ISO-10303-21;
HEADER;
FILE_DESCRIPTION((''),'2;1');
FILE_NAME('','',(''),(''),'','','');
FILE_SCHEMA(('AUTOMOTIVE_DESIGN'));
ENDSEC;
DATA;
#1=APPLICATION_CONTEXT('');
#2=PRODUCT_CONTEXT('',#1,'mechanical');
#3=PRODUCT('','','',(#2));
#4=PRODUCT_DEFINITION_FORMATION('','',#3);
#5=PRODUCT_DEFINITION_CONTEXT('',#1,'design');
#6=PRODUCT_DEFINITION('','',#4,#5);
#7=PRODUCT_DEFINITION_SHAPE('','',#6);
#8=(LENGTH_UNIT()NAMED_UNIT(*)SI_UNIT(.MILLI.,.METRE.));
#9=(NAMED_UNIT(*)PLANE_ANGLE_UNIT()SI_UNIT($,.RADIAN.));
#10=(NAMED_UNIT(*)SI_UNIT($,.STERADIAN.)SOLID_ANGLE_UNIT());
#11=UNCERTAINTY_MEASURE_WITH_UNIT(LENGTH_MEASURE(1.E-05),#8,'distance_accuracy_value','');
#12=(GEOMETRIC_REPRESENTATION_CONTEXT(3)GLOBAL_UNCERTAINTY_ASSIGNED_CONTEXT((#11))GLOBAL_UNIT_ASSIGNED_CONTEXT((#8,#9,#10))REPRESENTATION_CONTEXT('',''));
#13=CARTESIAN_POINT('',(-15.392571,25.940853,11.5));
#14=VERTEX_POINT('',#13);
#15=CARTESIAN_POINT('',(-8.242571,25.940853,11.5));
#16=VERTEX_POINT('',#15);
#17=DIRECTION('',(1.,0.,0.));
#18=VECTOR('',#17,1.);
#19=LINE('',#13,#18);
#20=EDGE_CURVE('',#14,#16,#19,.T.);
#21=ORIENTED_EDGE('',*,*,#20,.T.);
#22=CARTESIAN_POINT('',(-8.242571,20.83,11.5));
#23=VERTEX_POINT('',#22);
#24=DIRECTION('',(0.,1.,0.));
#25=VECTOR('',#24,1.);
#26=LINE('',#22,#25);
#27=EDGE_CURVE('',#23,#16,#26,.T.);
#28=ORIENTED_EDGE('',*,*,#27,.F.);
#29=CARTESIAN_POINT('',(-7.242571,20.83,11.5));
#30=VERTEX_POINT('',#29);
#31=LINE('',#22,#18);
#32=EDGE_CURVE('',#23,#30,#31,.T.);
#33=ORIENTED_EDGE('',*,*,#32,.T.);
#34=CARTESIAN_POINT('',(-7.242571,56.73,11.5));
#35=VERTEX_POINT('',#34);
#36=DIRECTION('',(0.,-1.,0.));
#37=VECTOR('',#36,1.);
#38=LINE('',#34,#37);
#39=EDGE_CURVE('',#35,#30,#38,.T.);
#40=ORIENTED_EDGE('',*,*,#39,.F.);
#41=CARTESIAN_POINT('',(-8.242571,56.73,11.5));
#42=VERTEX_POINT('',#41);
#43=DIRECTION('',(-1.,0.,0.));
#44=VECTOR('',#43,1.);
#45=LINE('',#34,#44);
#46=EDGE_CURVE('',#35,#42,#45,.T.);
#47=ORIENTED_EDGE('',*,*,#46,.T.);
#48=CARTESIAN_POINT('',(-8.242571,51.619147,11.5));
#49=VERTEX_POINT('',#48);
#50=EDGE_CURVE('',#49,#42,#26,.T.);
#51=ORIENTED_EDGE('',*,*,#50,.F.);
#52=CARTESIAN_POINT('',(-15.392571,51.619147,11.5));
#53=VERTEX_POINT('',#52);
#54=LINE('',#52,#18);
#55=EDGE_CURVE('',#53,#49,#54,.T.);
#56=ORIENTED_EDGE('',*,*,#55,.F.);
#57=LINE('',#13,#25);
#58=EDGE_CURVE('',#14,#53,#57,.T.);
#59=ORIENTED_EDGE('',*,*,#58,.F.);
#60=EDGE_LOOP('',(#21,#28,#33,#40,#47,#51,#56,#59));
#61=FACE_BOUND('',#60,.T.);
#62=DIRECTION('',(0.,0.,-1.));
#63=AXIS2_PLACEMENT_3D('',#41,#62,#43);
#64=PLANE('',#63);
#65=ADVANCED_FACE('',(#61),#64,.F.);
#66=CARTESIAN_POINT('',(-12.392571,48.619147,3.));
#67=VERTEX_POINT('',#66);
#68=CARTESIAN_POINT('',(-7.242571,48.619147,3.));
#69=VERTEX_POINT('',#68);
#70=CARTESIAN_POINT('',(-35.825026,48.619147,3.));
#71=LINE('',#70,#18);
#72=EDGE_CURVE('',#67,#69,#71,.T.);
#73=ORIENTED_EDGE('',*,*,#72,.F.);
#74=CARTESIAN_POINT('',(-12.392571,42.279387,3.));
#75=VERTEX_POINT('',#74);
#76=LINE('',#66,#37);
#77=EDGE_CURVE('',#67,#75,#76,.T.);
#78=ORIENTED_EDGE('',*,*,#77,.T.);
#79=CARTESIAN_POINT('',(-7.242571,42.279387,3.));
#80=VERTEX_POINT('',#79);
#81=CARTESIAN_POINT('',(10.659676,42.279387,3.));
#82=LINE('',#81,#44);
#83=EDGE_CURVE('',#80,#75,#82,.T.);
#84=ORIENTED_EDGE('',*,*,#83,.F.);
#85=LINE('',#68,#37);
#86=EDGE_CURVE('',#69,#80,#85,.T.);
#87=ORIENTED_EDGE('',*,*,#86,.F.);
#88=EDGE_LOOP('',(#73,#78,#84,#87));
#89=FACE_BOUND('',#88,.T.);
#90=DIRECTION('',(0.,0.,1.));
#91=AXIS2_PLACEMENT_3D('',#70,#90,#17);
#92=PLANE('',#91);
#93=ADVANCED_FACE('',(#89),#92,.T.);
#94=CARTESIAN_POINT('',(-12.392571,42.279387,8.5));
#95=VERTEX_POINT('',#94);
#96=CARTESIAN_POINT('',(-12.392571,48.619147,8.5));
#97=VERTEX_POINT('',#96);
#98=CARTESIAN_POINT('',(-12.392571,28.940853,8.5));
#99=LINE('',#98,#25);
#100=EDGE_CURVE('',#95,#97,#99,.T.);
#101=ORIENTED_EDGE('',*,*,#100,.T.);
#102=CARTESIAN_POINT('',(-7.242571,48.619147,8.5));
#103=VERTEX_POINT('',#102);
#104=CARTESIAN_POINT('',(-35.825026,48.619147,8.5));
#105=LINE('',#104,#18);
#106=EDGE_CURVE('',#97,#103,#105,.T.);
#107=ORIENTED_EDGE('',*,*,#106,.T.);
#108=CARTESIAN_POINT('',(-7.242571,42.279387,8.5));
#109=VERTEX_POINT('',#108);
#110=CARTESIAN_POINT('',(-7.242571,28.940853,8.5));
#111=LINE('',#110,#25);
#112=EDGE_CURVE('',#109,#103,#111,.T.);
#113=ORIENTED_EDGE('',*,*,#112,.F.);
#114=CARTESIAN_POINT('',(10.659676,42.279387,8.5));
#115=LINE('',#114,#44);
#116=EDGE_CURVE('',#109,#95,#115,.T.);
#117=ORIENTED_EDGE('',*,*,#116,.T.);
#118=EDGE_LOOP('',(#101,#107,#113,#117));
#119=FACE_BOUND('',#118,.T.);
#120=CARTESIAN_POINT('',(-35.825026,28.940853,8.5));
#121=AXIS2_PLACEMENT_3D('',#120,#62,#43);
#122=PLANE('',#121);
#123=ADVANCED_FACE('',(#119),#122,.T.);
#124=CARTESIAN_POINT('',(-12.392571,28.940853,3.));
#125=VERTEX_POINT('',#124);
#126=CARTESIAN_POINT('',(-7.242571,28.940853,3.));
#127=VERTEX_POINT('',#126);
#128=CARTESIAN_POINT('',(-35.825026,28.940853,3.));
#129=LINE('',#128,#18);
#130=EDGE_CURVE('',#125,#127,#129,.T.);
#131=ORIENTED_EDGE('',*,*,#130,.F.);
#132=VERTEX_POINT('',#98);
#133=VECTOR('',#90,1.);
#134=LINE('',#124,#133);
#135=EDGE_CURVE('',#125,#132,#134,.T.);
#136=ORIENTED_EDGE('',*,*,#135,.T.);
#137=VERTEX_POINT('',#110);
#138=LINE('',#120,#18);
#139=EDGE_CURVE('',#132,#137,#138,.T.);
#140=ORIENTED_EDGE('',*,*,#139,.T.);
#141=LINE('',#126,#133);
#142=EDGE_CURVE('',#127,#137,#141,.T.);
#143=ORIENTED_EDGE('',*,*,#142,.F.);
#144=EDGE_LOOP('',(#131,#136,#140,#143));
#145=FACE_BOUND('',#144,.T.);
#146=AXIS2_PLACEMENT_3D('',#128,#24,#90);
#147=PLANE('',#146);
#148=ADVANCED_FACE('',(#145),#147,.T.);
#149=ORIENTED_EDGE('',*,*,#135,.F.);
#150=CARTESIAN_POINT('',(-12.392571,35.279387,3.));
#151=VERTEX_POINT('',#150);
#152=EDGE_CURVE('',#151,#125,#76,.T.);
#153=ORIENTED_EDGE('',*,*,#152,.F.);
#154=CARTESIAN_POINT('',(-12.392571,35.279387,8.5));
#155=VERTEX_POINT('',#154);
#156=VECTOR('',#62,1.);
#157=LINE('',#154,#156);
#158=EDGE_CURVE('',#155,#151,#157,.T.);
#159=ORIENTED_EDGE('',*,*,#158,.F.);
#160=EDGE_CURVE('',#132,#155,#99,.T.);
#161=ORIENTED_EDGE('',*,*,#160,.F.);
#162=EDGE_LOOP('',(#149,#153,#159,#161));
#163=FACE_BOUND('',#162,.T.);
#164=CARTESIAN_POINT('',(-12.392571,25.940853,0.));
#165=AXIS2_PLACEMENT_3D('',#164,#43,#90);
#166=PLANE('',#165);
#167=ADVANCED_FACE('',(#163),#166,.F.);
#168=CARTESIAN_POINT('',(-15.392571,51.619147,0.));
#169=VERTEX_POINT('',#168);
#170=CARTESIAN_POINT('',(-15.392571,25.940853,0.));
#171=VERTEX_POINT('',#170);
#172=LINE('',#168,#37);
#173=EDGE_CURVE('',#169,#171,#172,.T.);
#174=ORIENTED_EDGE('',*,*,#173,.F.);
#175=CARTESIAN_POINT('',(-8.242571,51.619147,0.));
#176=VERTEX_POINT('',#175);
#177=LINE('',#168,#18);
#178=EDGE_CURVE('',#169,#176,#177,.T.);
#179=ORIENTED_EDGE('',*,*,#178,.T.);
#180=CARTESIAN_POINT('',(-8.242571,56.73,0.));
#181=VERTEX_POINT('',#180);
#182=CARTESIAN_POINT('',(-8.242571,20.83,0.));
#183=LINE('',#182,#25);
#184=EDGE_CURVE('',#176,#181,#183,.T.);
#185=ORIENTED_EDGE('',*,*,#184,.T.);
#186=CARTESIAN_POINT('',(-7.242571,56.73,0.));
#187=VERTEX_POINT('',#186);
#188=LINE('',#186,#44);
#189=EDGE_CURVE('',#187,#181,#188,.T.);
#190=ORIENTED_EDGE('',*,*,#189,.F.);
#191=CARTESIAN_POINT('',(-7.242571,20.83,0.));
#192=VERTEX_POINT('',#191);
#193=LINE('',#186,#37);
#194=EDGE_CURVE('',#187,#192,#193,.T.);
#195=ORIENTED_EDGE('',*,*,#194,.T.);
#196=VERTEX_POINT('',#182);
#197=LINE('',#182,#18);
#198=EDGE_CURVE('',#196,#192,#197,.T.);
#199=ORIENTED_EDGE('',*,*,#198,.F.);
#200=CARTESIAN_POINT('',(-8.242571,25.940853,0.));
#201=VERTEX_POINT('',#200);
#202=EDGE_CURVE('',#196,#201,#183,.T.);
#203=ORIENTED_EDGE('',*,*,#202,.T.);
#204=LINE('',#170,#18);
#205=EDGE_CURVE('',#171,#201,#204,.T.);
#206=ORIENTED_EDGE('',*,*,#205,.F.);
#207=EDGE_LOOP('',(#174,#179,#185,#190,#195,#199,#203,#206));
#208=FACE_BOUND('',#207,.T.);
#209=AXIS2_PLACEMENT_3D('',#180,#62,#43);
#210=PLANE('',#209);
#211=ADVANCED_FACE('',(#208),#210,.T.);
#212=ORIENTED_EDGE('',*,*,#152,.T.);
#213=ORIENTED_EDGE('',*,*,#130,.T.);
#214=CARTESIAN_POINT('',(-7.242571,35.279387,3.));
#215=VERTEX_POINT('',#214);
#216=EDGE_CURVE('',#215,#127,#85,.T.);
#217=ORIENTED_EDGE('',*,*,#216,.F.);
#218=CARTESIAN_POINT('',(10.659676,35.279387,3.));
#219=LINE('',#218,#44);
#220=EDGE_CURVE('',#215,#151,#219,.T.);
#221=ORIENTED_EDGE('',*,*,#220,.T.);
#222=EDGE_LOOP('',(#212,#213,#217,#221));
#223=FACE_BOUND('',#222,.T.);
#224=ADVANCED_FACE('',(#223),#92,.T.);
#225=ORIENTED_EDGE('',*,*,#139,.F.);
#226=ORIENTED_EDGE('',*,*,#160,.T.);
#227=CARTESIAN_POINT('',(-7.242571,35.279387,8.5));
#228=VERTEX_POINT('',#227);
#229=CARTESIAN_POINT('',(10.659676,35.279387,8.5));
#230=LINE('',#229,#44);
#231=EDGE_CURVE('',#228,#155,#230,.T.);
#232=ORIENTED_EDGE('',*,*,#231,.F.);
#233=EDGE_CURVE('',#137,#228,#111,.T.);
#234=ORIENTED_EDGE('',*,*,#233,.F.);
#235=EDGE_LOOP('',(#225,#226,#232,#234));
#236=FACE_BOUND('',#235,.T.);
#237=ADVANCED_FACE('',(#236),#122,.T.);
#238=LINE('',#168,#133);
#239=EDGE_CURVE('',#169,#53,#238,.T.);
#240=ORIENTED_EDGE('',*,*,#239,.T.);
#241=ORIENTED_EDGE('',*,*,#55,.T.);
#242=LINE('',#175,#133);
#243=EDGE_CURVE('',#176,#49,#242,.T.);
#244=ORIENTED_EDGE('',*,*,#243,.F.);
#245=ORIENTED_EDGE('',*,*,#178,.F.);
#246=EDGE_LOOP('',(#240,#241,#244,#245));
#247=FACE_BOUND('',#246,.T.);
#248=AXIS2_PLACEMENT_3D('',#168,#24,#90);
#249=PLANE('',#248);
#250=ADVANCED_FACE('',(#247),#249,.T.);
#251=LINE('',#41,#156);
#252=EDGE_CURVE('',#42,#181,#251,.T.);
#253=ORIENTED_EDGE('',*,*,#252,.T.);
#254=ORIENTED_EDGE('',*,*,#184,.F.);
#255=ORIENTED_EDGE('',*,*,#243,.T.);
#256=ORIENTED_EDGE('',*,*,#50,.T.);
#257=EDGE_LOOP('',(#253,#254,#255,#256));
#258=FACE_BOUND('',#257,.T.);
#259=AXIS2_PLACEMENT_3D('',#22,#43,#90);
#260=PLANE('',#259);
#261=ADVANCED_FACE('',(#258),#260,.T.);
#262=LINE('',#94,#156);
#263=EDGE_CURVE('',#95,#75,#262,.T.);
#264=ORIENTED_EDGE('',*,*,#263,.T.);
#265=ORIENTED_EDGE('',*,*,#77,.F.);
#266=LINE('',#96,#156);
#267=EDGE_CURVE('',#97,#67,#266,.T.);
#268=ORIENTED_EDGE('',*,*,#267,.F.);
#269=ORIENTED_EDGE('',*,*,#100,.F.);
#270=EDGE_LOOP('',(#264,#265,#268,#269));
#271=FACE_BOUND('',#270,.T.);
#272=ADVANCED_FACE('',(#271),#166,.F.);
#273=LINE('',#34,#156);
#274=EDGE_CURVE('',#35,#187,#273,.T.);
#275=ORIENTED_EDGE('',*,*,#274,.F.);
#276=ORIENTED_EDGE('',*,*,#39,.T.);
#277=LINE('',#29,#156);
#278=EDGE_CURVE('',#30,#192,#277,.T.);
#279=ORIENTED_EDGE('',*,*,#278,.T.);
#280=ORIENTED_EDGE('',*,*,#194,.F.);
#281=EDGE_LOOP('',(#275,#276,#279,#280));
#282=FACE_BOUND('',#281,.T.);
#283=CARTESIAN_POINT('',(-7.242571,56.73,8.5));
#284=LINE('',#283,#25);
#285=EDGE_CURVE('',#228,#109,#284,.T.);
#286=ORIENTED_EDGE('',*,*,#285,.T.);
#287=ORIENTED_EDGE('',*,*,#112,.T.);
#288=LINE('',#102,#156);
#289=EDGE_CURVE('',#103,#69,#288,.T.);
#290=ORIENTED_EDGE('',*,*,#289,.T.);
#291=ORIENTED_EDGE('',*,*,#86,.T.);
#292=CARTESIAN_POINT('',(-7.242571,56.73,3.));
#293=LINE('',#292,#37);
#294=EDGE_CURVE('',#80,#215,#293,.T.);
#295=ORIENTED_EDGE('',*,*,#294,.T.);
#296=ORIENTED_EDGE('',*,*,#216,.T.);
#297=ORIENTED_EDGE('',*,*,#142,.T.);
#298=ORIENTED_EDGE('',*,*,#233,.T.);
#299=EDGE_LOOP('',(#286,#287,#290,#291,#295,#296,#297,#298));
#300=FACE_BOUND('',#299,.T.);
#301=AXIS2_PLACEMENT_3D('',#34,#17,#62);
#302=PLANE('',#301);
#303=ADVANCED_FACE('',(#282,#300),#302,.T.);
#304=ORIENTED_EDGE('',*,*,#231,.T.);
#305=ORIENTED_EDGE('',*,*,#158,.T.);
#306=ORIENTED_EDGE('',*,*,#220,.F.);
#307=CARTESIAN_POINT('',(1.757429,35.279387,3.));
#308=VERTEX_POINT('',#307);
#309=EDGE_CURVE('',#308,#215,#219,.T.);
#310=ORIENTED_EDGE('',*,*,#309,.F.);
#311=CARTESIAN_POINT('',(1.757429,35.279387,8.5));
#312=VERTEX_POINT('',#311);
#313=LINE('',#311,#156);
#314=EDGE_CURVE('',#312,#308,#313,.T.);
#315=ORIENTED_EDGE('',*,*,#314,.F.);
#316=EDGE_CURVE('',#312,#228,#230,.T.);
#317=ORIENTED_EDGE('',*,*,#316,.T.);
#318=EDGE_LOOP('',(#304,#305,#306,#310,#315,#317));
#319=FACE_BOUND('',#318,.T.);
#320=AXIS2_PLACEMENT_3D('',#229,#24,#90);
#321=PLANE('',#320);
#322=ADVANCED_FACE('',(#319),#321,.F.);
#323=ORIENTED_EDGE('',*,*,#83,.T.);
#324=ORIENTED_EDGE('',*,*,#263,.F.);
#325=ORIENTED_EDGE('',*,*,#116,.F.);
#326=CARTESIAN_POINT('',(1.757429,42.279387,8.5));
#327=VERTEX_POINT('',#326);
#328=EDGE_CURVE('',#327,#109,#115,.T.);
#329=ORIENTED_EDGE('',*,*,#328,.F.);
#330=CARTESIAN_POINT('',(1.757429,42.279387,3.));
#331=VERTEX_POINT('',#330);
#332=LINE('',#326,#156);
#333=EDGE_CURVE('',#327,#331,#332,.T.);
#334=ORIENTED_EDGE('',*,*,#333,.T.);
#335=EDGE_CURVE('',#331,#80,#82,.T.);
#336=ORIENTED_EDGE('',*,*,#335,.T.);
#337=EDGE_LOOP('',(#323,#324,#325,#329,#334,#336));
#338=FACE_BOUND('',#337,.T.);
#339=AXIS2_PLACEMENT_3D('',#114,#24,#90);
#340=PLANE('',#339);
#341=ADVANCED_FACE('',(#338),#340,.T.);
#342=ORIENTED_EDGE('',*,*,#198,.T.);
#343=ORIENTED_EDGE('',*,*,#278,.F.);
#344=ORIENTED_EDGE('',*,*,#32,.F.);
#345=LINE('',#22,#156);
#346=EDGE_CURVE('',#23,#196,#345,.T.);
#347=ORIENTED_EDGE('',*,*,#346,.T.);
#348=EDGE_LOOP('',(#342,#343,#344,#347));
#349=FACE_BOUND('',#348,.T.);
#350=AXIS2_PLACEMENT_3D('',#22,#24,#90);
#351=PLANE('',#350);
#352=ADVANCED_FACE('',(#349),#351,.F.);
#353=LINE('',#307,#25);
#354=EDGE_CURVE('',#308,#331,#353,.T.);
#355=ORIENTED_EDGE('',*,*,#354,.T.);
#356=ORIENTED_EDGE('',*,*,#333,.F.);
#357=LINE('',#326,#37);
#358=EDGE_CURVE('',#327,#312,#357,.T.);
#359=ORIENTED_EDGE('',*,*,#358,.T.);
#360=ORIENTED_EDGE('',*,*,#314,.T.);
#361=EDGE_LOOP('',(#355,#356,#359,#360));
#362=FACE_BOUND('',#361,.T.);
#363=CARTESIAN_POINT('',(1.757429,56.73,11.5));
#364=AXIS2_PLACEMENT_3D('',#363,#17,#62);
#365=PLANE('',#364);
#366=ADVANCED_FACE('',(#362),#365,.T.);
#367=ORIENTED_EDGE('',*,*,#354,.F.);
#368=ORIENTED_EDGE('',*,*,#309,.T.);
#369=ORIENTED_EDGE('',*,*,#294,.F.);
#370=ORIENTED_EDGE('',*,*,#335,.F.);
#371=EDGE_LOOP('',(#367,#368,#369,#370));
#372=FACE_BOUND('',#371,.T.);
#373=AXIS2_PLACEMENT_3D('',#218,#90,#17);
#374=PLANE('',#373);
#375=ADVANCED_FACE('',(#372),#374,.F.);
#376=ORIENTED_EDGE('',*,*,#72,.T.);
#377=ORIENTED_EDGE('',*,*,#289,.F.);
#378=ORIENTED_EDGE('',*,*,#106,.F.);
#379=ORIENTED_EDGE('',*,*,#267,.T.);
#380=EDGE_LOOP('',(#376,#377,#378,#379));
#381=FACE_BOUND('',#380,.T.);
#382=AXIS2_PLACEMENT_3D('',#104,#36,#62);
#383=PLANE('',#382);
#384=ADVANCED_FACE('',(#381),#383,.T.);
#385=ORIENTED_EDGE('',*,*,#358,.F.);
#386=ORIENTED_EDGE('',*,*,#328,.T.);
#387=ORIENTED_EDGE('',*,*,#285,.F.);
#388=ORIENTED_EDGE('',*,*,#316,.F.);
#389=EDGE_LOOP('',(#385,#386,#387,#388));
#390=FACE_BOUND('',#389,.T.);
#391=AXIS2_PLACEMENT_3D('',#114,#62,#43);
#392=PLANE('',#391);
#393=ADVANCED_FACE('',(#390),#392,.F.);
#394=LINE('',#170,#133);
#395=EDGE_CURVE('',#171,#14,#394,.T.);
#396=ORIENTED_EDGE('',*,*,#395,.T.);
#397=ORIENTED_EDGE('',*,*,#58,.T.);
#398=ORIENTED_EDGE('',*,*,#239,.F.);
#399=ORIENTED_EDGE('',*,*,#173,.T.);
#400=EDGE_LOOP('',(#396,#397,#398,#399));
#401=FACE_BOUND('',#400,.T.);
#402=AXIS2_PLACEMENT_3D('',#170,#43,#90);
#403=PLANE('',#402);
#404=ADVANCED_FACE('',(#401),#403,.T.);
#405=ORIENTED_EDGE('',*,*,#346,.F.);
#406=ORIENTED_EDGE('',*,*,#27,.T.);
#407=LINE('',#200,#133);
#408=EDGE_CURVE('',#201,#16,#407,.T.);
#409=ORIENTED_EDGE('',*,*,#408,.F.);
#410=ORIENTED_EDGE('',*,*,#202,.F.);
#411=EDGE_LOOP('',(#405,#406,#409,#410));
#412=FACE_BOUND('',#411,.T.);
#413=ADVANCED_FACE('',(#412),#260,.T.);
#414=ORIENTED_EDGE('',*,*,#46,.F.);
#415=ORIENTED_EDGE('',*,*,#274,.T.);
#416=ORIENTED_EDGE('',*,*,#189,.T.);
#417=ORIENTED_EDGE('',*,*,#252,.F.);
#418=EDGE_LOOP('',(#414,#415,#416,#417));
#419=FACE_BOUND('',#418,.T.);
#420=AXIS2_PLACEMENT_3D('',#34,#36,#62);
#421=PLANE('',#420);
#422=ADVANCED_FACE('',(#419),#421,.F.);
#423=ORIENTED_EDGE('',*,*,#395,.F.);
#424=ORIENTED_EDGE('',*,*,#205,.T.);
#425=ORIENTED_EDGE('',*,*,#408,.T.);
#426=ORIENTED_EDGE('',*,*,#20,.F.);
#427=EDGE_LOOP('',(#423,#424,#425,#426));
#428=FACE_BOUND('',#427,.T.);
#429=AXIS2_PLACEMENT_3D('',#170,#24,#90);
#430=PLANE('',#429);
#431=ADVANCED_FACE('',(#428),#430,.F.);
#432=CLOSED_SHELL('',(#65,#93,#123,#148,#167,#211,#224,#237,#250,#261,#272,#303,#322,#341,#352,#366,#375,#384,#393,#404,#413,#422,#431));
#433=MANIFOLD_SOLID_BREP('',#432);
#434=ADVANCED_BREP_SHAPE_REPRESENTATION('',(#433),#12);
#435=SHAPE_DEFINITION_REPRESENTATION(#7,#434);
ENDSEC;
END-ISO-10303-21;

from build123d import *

# Parameters (mm, degrees)
SKETCH2_W           = 1
SKETCH2_H           = 35.9
BASE_EXTRUDE_DEPTH  = 11.5
SKETCH3_W           = 11.5
SKETCH3_H           = 25.678293072
BOSS_EXTRUDE1_DEPTH = 7.15
SKETCH4_W           = 5.5
SKETCH4_H           = 19.678293072
CUT_EXTRUDE1_DEPTH  = 5.15
SKETCH5_W           = 5.5
SKETCH5_H           = 7
BOSS_EXTRUDE3_DEPTH = 14.15


with BuildPart() as part:
    # Sketch2 → Base-Extrude (new body)
    with BuildSketch(Plane.XY):
        with Locations((-7.742570808, 38.78)):
            Rectangle(SKETCH2_W, SKETCH2_H)
    extrude(amount=BASE_EXTRUDE_DEPTH)

    # Sketch3 → Boss-Extrude1 (add)
    with BuildSketch(Plane.ZY.offset(8.242570808)):
        with Locations((5.75, 38.78)):
            Rectangle(SKETCH3_W, SKETCH3_H)
    extrude(amount=BOSS_EXTRUDE1_DEPTH)

    # Sketch4 → Cut-Extrude1 (cut)
    with BuildSketch(Plane(origin=(-7.242570808, 0, 0), x_dir=(0, 0, -1), z_dir=(1, 0, 0))):
        with Locations((-5.75, 38.78)):
            Rectangle(SKETCH4_W, SKETCH4_H)
    extrude(amount=-CUT_EXTRUDE1_DEPTH, mode=Mode.SUBTRACT)

    # Sketch5 → Boss-Extrude3 (add)
    with BuildSketch(Plane(origin=(-12.392570808, 0, 0), x_dir=(0, 0, -1), z_dir=(1, 0, 0))):
        with Locations((-5.75, 38.779386514)):
            Rectangle(SKETCH5_W, SKETCH5_H)
    extrude(amount=BOSS_EXTRUDE3_DEPTH)


solid = part.part
